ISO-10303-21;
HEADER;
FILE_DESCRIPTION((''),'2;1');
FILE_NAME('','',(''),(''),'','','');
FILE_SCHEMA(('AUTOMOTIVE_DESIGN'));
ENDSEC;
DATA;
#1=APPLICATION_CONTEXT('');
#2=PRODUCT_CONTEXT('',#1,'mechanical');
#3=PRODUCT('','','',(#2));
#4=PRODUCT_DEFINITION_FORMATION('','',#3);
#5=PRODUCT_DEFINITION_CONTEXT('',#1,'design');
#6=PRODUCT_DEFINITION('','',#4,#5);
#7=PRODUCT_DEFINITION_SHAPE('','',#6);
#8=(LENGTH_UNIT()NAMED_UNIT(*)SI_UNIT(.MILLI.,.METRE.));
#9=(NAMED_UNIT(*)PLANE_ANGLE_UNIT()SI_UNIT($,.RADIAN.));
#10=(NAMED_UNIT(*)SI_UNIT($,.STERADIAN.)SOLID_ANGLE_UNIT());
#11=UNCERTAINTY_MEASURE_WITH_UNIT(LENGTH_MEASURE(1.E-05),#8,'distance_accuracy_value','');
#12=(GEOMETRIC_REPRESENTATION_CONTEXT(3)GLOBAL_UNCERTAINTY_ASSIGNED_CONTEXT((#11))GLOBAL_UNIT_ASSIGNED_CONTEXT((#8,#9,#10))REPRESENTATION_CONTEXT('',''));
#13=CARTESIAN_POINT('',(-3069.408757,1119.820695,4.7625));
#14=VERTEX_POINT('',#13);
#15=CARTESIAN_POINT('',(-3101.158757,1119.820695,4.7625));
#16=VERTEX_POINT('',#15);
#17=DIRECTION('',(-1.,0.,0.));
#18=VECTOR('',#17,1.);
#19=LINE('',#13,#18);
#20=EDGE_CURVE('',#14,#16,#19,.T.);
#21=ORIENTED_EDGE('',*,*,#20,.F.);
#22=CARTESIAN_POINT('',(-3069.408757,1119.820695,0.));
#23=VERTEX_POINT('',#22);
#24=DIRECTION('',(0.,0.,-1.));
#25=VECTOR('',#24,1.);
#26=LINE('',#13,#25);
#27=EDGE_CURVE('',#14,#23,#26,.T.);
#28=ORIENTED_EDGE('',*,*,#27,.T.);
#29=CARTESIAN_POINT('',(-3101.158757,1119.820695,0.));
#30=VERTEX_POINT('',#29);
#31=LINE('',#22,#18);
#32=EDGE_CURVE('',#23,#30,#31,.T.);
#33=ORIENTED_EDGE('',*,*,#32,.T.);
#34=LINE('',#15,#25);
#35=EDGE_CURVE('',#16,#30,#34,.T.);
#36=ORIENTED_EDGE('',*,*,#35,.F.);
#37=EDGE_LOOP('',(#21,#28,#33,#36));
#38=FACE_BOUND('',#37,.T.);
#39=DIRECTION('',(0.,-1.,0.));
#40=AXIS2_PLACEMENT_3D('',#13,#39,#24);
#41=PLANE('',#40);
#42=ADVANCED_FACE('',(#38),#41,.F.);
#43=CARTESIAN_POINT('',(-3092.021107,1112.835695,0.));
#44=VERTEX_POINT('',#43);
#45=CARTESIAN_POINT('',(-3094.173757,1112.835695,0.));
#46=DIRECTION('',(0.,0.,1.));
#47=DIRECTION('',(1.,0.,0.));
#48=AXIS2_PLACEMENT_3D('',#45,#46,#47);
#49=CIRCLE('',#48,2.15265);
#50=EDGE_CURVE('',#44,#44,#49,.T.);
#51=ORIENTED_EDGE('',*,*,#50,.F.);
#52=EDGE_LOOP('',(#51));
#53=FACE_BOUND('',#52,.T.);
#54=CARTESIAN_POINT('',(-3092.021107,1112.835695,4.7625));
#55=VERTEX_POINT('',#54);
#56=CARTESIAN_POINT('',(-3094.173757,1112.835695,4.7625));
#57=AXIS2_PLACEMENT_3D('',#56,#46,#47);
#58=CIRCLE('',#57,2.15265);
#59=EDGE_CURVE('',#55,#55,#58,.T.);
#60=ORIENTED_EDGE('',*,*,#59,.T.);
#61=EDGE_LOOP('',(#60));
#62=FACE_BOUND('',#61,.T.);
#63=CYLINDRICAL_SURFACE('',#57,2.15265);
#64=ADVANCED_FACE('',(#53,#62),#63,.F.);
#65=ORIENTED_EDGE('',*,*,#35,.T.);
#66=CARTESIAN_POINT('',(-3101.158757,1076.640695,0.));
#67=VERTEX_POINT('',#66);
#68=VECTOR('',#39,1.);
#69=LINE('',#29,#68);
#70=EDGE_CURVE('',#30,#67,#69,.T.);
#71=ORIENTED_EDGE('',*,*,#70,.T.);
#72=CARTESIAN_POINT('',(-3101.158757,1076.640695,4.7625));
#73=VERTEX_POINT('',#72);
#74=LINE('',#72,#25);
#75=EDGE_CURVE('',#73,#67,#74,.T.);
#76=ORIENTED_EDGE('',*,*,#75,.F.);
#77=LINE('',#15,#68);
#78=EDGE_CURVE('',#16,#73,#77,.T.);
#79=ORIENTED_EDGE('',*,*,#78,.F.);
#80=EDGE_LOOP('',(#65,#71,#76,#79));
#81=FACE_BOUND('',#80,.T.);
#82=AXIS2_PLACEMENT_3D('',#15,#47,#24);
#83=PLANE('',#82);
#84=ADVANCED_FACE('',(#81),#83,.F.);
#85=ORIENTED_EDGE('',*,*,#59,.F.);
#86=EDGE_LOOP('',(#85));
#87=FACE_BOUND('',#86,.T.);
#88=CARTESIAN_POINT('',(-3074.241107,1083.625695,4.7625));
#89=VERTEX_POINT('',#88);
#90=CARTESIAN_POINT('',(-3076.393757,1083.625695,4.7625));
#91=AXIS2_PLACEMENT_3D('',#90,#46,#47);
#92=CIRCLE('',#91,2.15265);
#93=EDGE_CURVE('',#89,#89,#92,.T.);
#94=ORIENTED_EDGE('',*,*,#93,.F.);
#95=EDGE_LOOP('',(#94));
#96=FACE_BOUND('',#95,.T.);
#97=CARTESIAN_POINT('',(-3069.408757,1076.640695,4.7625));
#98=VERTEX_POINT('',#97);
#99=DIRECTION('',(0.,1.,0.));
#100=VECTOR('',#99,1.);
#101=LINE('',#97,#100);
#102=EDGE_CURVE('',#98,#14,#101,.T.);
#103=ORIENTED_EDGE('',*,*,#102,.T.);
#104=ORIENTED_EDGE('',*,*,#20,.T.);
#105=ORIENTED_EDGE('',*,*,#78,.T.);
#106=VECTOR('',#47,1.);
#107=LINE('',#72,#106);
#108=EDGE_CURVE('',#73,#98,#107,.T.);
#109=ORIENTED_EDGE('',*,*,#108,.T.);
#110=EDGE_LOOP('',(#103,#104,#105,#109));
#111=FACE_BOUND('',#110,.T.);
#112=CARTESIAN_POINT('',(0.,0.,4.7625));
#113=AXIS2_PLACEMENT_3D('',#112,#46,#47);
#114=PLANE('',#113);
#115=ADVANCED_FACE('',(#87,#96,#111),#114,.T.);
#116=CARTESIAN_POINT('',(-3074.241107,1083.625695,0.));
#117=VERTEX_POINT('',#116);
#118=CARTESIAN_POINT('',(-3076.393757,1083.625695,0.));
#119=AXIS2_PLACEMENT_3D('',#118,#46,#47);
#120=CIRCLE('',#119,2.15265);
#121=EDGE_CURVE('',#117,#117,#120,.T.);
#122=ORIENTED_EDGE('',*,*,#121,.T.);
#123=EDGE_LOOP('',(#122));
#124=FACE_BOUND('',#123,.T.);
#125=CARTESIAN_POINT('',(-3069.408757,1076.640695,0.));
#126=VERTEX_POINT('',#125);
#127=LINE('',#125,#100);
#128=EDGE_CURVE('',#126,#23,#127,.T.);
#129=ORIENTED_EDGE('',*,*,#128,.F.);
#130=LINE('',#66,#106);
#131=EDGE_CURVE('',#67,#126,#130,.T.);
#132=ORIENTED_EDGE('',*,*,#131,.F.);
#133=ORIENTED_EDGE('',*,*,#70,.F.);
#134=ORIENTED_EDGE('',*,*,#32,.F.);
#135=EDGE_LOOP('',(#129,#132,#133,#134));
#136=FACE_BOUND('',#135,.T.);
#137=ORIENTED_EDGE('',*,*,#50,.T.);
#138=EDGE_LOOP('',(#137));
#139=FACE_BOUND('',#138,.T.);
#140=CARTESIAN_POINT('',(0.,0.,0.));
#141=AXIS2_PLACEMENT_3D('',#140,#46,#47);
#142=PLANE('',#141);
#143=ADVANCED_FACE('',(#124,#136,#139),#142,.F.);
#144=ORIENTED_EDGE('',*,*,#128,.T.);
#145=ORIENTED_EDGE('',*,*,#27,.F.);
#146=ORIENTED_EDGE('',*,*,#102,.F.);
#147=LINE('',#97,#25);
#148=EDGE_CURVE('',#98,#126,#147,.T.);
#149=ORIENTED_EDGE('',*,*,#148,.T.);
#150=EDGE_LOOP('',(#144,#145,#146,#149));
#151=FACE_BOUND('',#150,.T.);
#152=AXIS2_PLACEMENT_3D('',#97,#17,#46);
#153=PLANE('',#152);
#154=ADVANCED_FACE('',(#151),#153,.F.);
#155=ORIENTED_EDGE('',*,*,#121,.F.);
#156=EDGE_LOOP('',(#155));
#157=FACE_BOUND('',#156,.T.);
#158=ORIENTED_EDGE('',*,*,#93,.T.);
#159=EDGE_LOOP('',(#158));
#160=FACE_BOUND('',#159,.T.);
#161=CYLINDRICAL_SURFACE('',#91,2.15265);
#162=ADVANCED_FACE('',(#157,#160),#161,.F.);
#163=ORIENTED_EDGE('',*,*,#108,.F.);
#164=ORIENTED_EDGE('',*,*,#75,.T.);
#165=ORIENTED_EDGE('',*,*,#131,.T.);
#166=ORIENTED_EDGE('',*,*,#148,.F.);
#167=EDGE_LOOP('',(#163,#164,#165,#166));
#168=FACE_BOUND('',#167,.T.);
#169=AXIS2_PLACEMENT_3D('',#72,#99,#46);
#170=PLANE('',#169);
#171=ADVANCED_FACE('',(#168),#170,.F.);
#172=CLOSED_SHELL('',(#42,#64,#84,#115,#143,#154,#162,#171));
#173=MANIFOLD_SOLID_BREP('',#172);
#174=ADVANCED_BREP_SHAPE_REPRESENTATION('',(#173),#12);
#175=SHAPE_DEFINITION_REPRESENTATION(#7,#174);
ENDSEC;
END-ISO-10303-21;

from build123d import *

# Parameters (mm, degrees)
SKETCH1_W             = 31.75
SKETCH1_H             = 43.18
BOSS_EXTRUDE1_DEPTH   = 4.7625
F_6_CLEARANCE_HOLE1_D = 4.3053


with BuildPart() as part:
    # Sketch1 → Boss-Extrude1 (new body)
    with BuildSketch(Plane.XY):
        with Locations((-3085.283757164, 1098.230694712)):
            Rectangle(SKETCH1_W, SKETCH1_H)
    extrude(amount=BOSS_EXTRUDE1_DEPTH)

    # #6 Clearance Hole1 (through all)
    with Locations(Plane.XY.offset(4.7625)):
        with Locations((-3076.393757164, 1083.625694712), (-3094.173757164, 1112.835694712)):
            Hole(F_6_CLEARANCE_HOLE1_D / 2)


solid = part.part
